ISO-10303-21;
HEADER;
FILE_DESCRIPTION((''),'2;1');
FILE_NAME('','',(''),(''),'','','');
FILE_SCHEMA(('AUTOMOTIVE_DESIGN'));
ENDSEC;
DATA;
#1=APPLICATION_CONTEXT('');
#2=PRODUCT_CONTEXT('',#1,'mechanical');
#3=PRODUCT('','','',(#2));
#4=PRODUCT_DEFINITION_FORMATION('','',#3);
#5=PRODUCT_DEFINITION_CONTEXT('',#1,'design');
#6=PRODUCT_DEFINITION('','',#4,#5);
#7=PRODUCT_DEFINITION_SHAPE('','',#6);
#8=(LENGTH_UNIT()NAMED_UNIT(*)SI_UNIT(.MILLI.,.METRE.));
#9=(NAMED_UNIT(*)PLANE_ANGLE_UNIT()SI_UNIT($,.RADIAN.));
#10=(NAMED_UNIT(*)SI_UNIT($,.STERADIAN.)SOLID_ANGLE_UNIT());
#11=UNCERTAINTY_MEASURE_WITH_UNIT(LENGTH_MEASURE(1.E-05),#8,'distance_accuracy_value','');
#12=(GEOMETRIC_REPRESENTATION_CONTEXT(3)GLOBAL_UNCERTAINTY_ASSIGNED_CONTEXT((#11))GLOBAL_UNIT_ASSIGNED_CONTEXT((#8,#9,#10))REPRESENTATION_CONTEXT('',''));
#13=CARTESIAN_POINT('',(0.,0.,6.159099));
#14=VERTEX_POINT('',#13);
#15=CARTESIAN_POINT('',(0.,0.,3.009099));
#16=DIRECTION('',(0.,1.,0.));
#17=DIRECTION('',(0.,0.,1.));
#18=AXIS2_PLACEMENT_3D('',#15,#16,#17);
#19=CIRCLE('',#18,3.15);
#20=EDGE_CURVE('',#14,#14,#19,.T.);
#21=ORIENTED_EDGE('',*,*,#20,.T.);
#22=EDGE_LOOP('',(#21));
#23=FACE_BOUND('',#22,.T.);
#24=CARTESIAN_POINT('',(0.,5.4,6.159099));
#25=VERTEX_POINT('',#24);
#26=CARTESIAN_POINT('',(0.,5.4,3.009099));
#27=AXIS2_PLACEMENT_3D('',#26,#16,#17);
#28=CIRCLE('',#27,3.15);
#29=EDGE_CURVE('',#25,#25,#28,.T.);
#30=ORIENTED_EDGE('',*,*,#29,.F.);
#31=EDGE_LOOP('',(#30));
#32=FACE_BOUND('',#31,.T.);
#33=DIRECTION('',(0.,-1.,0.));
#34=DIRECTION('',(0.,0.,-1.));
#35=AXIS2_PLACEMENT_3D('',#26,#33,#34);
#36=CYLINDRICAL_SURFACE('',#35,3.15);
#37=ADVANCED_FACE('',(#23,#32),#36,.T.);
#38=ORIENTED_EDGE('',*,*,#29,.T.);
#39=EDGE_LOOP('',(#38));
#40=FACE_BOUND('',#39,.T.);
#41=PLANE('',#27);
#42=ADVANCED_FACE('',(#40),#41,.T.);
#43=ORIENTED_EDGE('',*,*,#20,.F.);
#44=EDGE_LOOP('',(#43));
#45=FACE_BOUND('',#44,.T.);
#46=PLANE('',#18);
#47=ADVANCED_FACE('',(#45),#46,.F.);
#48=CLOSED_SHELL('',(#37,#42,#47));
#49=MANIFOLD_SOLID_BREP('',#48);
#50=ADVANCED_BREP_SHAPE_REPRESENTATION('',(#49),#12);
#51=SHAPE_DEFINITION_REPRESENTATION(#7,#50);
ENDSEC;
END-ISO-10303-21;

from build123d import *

# Parameters (mm, degrees)
SKETCH1_R           = 3.15
BOSS_EXTRUDE1_DEPTH = 5.4


with BuildPart() as part:
    # Sketch1 → Boss-Extrude1 (new body)
    with BuildSketch(Plane(origin=(0, 0, 0), x_dir=(1, 0, 0), z_dir=(0, 1, 0))):
        with Locations((0, -3.009099384)):
            Circle(SKETCH1_R)
    extrude(amount=BOSS_EXTRUDE1_DEPTH)


solid = part.part
